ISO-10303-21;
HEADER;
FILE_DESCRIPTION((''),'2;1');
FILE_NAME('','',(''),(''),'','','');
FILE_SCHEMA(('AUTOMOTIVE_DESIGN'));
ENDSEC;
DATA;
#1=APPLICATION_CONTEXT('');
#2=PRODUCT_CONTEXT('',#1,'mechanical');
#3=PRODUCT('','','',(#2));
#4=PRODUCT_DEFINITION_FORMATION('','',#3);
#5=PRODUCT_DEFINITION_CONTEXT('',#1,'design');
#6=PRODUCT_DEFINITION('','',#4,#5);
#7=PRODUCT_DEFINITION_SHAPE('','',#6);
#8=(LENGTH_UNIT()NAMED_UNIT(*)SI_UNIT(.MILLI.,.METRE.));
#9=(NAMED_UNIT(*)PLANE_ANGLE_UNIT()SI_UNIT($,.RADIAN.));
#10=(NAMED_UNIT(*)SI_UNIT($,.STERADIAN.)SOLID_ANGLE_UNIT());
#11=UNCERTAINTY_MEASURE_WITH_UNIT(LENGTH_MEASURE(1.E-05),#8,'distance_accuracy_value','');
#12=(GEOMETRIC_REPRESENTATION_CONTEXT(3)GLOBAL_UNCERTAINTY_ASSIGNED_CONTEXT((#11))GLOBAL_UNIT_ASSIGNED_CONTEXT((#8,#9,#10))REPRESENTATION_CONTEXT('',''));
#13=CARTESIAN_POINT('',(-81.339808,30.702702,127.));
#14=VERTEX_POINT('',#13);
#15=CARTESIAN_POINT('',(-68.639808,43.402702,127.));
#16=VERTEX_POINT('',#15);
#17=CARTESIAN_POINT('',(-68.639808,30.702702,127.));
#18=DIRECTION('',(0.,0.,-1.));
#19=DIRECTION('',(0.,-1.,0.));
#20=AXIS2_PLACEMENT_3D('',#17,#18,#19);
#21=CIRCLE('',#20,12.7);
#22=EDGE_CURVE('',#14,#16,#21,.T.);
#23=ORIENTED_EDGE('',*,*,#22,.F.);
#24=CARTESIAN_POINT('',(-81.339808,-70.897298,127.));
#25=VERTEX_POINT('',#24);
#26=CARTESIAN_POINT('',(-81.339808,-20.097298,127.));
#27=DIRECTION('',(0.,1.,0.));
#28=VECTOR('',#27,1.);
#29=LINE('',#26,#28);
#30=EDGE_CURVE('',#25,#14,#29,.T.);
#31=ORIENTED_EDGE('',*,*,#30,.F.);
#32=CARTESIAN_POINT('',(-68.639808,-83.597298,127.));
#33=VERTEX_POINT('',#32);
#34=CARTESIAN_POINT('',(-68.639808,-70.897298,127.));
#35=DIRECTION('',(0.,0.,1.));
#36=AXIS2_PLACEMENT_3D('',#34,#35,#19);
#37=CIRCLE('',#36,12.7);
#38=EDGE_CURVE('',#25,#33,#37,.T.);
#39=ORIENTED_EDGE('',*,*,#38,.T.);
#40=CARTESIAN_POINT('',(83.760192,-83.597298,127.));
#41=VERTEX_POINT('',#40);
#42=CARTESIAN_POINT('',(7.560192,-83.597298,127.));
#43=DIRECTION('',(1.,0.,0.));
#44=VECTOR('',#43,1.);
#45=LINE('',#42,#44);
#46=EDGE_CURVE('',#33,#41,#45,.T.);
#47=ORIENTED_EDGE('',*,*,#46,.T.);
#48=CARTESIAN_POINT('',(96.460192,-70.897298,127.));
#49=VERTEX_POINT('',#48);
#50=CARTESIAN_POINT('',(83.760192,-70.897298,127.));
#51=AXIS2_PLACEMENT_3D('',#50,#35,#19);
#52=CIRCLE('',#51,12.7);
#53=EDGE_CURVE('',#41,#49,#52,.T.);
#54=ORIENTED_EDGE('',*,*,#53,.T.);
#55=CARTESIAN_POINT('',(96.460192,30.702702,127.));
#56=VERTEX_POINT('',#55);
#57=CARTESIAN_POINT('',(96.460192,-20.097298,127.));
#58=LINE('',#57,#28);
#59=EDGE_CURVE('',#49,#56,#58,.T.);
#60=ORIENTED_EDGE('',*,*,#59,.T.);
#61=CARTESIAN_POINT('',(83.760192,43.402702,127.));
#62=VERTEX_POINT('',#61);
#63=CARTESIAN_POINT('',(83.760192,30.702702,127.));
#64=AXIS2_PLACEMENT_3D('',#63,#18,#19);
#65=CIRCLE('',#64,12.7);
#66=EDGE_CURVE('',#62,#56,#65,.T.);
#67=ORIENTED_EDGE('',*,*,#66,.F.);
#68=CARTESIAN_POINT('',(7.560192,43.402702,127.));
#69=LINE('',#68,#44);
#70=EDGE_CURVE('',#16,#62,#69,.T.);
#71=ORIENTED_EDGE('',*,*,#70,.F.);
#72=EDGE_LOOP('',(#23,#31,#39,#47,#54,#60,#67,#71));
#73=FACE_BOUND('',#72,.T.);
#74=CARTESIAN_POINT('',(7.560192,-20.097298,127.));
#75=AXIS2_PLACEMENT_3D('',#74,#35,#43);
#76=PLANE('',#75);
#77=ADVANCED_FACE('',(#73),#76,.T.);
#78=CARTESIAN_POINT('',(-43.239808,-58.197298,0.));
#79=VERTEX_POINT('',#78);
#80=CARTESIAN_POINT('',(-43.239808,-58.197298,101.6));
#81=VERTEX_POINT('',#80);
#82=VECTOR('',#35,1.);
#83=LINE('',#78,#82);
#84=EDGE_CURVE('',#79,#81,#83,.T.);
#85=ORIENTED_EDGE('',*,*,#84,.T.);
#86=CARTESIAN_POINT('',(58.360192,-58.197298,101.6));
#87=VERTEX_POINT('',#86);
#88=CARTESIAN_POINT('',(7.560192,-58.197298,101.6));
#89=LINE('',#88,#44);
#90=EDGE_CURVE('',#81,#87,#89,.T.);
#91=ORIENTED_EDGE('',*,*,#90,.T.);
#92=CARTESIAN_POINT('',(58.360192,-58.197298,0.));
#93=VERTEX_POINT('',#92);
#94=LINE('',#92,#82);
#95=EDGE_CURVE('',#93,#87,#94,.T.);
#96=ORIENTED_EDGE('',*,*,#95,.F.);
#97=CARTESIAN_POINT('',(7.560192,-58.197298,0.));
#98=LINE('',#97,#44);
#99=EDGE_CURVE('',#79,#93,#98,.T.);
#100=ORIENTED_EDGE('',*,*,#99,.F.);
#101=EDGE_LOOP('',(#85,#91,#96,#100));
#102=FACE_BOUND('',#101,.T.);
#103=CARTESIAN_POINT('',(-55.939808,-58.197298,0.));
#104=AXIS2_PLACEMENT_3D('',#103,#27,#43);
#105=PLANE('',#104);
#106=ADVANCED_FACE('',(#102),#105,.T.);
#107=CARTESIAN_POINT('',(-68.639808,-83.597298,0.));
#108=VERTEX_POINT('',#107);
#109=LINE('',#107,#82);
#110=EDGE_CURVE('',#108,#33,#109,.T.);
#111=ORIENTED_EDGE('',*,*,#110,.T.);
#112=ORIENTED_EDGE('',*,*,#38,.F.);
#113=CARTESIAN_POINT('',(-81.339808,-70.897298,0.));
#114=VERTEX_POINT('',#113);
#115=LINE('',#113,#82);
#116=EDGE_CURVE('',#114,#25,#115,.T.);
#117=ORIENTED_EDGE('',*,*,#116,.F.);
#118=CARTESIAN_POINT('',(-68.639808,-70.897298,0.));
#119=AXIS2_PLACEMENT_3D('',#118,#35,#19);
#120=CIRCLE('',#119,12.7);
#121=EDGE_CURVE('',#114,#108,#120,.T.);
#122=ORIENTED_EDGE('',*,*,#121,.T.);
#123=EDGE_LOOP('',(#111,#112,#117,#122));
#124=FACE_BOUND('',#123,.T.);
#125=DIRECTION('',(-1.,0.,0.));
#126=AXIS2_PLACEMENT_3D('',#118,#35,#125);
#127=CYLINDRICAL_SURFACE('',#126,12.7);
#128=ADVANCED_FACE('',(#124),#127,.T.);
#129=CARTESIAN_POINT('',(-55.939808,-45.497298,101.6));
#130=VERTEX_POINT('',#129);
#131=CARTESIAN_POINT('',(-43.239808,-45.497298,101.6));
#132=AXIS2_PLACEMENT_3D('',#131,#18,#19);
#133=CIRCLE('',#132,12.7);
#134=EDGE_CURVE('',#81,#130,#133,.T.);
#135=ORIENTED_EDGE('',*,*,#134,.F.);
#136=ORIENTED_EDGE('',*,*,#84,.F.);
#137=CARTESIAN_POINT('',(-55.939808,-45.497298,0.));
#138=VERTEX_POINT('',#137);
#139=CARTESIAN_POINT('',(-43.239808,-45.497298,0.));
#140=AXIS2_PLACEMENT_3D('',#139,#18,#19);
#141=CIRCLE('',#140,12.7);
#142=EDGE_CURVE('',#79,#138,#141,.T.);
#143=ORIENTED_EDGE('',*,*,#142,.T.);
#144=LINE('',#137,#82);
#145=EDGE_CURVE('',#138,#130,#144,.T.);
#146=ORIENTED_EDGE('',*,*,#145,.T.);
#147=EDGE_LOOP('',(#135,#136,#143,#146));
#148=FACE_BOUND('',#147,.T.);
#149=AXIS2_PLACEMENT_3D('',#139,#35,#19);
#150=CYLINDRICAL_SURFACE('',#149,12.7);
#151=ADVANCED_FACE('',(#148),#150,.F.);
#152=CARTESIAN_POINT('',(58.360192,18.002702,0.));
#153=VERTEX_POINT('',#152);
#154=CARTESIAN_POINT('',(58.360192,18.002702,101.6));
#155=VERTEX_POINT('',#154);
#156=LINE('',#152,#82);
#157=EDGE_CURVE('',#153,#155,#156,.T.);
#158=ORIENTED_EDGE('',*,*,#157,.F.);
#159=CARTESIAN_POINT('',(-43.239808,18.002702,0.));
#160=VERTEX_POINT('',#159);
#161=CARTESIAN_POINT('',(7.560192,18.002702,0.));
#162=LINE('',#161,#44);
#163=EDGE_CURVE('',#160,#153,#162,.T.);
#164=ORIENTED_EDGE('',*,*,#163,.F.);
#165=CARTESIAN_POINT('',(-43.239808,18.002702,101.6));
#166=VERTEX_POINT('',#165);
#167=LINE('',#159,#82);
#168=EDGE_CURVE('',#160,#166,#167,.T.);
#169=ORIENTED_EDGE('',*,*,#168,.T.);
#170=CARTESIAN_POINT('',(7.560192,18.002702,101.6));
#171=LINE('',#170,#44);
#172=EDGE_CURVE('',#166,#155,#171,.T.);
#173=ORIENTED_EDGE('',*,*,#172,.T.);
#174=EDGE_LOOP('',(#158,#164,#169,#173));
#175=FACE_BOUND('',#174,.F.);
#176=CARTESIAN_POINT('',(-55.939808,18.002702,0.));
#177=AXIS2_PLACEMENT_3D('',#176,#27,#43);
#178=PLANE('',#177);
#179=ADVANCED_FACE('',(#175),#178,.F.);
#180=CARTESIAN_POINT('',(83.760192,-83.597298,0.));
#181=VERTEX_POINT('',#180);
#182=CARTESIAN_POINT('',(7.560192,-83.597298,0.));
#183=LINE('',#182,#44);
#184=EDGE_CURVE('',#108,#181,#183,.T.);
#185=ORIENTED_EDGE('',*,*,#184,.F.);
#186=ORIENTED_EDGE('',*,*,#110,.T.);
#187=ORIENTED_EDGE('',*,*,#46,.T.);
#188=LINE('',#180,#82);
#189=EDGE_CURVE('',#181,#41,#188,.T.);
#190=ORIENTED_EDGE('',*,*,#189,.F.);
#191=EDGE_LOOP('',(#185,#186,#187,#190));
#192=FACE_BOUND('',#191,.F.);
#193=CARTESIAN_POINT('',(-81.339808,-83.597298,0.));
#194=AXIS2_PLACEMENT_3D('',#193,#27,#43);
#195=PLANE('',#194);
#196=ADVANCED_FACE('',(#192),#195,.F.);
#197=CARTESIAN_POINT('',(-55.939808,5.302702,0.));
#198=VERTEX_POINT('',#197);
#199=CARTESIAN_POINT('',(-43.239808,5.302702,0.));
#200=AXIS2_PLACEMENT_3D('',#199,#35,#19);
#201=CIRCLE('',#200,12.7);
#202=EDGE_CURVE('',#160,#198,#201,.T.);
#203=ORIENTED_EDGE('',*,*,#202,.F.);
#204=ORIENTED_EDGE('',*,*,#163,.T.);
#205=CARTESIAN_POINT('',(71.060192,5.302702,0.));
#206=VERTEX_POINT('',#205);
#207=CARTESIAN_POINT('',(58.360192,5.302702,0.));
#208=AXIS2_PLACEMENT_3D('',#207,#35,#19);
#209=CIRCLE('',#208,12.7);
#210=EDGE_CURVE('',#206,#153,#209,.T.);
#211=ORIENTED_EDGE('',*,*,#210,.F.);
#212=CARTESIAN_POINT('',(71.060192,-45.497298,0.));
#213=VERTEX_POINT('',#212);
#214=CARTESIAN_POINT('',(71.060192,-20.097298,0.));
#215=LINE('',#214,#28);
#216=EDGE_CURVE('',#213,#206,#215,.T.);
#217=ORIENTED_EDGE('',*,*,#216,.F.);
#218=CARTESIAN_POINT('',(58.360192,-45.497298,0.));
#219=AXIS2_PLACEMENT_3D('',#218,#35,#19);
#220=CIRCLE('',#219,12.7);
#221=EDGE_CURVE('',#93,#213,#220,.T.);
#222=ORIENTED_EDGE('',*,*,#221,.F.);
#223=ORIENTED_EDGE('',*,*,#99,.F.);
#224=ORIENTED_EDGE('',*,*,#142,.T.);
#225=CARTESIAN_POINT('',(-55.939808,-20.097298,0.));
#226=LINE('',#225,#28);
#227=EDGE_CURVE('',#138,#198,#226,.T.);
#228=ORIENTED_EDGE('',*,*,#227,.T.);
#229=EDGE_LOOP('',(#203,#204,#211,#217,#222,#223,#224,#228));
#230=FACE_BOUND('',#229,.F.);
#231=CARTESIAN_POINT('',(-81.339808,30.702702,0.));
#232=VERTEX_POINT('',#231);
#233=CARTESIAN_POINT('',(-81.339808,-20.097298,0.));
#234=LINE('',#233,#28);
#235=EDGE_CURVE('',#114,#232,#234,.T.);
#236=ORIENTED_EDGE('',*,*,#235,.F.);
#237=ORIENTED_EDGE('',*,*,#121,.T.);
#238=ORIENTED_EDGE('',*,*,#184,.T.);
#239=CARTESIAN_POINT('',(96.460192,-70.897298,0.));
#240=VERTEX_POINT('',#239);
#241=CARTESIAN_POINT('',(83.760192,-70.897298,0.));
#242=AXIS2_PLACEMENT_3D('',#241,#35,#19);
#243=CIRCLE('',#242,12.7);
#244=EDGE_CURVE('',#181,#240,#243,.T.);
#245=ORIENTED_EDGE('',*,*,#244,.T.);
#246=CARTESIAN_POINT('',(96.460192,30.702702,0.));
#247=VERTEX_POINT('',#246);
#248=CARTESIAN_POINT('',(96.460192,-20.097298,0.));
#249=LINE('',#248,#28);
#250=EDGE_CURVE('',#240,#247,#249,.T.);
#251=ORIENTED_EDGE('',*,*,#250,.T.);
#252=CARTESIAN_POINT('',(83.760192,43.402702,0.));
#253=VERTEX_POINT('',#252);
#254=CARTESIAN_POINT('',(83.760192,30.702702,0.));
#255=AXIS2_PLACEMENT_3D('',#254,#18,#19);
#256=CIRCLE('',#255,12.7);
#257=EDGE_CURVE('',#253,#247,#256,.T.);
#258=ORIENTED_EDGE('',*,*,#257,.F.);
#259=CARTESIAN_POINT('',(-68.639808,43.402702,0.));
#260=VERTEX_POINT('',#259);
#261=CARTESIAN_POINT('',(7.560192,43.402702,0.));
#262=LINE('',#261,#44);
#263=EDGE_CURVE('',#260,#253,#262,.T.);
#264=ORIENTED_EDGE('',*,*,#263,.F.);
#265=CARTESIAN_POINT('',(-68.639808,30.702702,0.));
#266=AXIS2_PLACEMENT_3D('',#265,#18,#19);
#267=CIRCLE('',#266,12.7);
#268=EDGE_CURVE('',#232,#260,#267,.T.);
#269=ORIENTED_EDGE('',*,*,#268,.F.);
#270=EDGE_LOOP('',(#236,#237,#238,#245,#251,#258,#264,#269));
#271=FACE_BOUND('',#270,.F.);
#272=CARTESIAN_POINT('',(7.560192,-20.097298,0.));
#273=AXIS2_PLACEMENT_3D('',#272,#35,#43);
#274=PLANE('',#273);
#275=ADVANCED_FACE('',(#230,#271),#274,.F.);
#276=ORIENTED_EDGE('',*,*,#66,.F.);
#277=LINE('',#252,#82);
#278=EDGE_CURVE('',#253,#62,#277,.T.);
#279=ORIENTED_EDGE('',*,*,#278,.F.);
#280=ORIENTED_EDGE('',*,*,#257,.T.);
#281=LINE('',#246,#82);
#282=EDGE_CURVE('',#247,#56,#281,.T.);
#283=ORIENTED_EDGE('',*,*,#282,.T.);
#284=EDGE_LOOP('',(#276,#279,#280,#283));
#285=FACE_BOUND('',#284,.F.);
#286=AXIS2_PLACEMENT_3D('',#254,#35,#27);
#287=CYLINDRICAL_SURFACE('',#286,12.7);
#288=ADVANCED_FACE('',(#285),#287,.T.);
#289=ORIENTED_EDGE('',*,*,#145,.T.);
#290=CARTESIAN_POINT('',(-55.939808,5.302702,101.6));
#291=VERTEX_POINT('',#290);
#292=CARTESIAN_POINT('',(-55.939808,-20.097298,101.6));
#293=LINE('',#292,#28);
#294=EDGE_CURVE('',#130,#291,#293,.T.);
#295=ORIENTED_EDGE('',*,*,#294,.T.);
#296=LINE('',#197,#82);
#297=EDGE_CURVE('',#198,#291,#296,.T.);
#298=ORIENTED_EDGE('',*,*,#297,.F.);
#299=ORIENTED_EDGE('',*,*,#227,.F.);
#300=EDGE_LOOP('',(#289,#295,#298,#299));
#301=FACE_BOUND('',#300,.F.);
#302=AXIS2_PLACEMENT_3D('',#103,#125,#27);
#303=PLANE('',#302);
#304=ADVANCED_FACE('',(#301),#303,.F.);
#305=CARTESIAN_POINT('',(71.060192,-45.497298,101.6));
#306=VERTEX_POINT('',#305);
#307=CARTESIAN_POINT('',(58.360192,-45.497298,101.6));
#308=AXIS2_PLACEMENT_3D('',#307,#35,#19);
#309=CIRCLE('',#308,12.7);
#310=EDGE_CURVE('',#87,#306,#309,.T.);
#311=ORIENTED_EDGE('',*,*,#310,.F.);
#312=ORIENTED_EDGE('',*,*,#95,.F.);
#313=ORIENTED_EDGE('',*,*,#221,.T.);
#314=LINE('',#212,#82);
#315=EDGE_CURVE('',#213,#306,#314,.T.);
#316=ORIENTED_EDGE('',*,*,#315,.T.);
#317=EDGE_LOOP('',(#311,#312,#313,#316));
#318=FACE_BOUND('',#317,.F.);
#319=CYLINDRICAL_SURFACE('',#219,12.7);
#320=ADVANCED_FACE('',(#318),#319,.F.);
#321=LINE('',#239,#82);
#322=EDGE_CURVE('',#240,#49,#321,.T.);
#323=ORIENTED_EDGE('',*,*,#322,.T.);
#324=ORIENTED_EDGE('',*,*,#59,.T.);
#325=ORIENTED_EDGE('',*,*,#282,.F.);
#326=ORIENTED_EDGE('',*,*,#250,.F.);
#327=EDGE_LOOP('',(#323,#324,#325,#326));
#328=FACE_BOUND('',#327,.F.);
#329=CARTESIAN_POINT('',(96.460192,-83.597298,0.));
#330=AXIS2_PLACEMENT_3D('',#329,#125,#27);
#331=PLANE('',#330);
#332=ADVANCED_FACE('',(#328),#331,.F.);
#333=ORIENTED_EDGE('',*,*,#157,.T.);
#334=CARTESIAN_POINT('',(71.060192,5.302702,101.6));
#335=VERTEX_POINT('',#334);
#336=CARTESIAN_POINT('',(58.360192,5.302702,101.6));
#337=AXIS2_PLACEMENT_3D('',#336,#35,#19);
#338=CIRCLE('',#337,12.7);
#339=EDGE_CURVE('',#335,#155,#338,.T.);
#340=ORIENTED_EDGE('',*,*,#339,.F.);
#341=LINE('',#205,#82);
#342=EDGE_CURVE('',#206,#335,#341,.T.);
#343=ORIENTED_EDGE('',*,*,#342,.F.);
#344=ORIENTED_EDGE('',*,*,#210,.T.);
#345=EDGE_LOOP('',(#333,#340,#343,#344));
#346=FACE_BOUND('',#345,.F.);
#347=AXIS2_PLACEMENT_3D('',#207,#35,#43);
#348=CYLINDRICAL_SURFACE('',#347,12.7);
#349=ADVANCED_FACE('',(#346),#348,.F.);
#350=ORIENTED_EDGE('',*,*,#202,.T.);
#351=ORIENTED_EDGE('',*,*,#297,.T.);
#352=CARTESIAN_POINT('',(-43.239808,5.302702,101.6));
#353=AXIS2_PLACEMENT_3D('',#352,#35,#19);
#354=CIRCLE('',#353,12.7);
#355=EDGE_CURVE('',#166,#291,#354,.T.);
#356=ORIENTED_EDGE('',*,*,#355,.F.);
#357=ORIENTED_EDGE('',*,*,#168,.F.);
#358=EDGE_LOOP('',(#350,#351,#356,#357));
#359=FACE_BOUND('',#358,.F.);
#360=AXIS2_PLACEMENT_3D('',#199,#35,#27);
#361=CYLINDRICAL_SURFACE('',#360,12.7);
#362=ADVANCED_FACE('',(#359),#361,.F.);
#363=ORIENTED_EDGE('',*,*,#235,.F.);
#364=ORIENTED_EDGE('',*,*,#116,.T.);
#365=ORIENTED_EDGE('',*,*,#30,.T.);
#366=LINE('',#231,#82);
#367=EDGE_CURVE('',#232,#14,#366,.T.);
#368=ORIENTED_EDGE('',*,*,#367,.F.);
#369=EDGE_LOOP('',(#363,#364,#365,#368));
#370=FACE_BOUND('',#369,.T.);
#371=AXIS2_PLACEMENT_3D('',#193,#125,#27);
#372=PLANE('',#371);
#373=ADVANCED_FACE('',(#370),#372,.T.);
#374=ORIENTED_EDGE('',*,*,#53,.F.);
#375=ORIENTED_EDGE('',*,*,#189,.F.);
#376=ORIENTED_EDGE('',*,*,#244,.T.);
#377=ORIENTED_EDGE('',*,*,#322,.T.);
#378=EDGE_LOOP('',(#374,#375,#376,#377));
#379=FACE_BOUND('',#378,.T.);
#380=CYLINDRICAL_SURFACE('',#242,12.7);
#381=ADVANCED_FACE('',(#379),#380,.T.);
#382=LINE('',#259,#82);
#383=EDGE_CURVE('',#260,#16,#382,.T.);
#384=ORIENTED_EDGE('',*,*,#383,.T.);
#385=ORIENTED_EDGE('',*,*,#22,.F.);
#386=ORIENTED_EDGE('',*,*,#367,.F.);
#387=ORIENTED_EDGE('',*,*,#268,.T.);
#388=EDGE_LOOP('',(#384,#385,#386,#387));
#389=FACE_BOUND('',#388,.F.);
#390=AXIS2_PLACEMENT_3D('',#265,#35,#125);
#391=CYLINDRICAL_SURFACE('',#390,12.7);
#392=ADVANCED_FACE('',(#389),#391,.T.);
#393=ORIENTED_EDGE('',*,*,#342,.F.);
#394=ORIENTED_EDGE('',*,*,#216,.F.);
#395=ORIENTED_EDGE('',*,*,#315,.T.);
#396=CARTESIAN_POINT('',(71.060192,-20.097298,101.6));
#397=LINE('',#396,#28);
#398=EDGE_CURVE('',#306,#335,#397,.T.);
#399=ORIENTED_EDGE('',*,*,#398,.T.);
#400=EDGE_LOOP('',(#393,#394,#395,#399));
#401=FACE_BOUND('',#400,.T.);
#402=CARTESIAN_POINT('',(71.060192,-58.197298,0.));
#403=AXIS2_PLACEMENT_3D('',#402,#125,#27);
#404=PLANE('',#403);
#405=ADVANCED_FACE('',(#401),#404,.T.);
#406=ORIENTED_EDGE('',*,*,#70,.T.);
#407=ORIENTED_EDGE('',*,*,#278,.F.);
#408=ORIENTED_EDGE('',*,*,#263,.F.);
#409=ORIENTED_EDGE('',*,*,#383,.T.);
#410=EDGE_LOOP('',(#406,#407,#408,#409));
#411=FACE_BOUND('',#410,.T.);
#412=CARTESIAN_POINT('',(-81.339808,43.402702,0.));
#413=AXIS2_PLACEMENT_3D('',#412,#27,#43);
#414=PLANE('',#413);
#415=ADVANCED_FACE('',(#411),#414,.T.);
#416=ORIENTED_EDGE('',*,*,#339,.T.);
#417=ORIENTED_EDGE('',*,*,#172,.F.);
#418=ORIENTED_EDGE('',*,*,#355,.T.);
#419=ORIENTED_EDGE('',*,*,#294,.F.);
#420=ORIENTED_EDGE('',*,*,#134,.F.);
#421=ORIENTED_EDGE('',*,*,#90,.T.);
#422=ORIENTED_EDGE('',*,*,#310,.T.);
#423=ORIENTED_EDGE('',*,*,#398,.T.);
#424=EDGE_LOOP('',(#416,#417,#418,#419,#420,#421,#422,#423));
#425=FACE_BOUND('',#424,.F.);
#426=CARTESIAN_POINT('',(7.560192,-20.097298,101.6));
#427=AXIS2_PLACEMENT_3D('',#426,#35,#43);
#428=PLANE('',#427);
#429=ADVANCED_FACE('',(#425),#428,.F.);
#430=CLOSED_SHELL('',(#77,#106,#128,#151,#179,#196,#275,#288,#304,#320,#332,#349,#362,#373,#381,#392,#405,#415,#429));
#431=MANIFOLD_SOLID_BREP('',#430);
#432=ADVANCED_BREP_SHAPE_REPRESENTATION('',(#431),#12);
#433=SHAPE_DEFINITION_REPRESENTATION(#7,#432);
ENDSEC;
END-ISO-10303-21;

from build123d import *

# Parameters (mm, degrees)
F0_W     = 177.8
F0_H     = 127
F0_W_2   = 127
F0_H_2   = 76.2
F1_DEPTH = 127
F2_DEPTH = 101.6
F3_R     = 12.7
F4_R     = 12.7


with BuildPart() as f1:
    # F0 (on Top) → F1 (new body)
    with BuildSketch(Plane.XY):
        with Locations((7.560192, -20.097298)):
            Rectangle(F0_W, F0_H)
        with Locations((7.560192, -20.097298)):
            Rectangle(F0_W_2, F0_H_2, mode=Mode.SUBTRACT)
        with Locations((7.560192, -20.097298)):
            Rectangle(F0_W_2, F0_H_2)
    extrude(amount=F1_DEPTH)

    # F0 (on Top) → F2 (cut)
    with BuildSketch(Plane.XY):
        with Locations((7.560192, -20.097298)):
            Rectangle(F0_W_2, F0_H_2)
    extrude(amount=F2_DEPTH, mode=Mode.SUBTRACT)

    # F3
    f3_edges = [f1.edges().sort_by_distance(p)[0] for p in [
        (-55.939808, 18.002702, 50.8),
        (-55.939808, -58.197298, 50.8),
        (71.060192, 18.002702, 50.8),
        (71.060192, -58.197298, 50.8),
    ]]
    fillet(f3_edges, radius=F3_R)

    # F4
    f4_edges = [f1.edges().sort_by_distance(p)[0] for p in [
        (96.460192, -83.597298, 63.5),
        (96.460192, 43.402702, 63.5),
        (-81.339808, -83.597298, 63.5),
        (-81.339808, 43.402702, 63.5),
    ]]
    fillet(f4_edges, radius=F4_R)


solid = f1.part
